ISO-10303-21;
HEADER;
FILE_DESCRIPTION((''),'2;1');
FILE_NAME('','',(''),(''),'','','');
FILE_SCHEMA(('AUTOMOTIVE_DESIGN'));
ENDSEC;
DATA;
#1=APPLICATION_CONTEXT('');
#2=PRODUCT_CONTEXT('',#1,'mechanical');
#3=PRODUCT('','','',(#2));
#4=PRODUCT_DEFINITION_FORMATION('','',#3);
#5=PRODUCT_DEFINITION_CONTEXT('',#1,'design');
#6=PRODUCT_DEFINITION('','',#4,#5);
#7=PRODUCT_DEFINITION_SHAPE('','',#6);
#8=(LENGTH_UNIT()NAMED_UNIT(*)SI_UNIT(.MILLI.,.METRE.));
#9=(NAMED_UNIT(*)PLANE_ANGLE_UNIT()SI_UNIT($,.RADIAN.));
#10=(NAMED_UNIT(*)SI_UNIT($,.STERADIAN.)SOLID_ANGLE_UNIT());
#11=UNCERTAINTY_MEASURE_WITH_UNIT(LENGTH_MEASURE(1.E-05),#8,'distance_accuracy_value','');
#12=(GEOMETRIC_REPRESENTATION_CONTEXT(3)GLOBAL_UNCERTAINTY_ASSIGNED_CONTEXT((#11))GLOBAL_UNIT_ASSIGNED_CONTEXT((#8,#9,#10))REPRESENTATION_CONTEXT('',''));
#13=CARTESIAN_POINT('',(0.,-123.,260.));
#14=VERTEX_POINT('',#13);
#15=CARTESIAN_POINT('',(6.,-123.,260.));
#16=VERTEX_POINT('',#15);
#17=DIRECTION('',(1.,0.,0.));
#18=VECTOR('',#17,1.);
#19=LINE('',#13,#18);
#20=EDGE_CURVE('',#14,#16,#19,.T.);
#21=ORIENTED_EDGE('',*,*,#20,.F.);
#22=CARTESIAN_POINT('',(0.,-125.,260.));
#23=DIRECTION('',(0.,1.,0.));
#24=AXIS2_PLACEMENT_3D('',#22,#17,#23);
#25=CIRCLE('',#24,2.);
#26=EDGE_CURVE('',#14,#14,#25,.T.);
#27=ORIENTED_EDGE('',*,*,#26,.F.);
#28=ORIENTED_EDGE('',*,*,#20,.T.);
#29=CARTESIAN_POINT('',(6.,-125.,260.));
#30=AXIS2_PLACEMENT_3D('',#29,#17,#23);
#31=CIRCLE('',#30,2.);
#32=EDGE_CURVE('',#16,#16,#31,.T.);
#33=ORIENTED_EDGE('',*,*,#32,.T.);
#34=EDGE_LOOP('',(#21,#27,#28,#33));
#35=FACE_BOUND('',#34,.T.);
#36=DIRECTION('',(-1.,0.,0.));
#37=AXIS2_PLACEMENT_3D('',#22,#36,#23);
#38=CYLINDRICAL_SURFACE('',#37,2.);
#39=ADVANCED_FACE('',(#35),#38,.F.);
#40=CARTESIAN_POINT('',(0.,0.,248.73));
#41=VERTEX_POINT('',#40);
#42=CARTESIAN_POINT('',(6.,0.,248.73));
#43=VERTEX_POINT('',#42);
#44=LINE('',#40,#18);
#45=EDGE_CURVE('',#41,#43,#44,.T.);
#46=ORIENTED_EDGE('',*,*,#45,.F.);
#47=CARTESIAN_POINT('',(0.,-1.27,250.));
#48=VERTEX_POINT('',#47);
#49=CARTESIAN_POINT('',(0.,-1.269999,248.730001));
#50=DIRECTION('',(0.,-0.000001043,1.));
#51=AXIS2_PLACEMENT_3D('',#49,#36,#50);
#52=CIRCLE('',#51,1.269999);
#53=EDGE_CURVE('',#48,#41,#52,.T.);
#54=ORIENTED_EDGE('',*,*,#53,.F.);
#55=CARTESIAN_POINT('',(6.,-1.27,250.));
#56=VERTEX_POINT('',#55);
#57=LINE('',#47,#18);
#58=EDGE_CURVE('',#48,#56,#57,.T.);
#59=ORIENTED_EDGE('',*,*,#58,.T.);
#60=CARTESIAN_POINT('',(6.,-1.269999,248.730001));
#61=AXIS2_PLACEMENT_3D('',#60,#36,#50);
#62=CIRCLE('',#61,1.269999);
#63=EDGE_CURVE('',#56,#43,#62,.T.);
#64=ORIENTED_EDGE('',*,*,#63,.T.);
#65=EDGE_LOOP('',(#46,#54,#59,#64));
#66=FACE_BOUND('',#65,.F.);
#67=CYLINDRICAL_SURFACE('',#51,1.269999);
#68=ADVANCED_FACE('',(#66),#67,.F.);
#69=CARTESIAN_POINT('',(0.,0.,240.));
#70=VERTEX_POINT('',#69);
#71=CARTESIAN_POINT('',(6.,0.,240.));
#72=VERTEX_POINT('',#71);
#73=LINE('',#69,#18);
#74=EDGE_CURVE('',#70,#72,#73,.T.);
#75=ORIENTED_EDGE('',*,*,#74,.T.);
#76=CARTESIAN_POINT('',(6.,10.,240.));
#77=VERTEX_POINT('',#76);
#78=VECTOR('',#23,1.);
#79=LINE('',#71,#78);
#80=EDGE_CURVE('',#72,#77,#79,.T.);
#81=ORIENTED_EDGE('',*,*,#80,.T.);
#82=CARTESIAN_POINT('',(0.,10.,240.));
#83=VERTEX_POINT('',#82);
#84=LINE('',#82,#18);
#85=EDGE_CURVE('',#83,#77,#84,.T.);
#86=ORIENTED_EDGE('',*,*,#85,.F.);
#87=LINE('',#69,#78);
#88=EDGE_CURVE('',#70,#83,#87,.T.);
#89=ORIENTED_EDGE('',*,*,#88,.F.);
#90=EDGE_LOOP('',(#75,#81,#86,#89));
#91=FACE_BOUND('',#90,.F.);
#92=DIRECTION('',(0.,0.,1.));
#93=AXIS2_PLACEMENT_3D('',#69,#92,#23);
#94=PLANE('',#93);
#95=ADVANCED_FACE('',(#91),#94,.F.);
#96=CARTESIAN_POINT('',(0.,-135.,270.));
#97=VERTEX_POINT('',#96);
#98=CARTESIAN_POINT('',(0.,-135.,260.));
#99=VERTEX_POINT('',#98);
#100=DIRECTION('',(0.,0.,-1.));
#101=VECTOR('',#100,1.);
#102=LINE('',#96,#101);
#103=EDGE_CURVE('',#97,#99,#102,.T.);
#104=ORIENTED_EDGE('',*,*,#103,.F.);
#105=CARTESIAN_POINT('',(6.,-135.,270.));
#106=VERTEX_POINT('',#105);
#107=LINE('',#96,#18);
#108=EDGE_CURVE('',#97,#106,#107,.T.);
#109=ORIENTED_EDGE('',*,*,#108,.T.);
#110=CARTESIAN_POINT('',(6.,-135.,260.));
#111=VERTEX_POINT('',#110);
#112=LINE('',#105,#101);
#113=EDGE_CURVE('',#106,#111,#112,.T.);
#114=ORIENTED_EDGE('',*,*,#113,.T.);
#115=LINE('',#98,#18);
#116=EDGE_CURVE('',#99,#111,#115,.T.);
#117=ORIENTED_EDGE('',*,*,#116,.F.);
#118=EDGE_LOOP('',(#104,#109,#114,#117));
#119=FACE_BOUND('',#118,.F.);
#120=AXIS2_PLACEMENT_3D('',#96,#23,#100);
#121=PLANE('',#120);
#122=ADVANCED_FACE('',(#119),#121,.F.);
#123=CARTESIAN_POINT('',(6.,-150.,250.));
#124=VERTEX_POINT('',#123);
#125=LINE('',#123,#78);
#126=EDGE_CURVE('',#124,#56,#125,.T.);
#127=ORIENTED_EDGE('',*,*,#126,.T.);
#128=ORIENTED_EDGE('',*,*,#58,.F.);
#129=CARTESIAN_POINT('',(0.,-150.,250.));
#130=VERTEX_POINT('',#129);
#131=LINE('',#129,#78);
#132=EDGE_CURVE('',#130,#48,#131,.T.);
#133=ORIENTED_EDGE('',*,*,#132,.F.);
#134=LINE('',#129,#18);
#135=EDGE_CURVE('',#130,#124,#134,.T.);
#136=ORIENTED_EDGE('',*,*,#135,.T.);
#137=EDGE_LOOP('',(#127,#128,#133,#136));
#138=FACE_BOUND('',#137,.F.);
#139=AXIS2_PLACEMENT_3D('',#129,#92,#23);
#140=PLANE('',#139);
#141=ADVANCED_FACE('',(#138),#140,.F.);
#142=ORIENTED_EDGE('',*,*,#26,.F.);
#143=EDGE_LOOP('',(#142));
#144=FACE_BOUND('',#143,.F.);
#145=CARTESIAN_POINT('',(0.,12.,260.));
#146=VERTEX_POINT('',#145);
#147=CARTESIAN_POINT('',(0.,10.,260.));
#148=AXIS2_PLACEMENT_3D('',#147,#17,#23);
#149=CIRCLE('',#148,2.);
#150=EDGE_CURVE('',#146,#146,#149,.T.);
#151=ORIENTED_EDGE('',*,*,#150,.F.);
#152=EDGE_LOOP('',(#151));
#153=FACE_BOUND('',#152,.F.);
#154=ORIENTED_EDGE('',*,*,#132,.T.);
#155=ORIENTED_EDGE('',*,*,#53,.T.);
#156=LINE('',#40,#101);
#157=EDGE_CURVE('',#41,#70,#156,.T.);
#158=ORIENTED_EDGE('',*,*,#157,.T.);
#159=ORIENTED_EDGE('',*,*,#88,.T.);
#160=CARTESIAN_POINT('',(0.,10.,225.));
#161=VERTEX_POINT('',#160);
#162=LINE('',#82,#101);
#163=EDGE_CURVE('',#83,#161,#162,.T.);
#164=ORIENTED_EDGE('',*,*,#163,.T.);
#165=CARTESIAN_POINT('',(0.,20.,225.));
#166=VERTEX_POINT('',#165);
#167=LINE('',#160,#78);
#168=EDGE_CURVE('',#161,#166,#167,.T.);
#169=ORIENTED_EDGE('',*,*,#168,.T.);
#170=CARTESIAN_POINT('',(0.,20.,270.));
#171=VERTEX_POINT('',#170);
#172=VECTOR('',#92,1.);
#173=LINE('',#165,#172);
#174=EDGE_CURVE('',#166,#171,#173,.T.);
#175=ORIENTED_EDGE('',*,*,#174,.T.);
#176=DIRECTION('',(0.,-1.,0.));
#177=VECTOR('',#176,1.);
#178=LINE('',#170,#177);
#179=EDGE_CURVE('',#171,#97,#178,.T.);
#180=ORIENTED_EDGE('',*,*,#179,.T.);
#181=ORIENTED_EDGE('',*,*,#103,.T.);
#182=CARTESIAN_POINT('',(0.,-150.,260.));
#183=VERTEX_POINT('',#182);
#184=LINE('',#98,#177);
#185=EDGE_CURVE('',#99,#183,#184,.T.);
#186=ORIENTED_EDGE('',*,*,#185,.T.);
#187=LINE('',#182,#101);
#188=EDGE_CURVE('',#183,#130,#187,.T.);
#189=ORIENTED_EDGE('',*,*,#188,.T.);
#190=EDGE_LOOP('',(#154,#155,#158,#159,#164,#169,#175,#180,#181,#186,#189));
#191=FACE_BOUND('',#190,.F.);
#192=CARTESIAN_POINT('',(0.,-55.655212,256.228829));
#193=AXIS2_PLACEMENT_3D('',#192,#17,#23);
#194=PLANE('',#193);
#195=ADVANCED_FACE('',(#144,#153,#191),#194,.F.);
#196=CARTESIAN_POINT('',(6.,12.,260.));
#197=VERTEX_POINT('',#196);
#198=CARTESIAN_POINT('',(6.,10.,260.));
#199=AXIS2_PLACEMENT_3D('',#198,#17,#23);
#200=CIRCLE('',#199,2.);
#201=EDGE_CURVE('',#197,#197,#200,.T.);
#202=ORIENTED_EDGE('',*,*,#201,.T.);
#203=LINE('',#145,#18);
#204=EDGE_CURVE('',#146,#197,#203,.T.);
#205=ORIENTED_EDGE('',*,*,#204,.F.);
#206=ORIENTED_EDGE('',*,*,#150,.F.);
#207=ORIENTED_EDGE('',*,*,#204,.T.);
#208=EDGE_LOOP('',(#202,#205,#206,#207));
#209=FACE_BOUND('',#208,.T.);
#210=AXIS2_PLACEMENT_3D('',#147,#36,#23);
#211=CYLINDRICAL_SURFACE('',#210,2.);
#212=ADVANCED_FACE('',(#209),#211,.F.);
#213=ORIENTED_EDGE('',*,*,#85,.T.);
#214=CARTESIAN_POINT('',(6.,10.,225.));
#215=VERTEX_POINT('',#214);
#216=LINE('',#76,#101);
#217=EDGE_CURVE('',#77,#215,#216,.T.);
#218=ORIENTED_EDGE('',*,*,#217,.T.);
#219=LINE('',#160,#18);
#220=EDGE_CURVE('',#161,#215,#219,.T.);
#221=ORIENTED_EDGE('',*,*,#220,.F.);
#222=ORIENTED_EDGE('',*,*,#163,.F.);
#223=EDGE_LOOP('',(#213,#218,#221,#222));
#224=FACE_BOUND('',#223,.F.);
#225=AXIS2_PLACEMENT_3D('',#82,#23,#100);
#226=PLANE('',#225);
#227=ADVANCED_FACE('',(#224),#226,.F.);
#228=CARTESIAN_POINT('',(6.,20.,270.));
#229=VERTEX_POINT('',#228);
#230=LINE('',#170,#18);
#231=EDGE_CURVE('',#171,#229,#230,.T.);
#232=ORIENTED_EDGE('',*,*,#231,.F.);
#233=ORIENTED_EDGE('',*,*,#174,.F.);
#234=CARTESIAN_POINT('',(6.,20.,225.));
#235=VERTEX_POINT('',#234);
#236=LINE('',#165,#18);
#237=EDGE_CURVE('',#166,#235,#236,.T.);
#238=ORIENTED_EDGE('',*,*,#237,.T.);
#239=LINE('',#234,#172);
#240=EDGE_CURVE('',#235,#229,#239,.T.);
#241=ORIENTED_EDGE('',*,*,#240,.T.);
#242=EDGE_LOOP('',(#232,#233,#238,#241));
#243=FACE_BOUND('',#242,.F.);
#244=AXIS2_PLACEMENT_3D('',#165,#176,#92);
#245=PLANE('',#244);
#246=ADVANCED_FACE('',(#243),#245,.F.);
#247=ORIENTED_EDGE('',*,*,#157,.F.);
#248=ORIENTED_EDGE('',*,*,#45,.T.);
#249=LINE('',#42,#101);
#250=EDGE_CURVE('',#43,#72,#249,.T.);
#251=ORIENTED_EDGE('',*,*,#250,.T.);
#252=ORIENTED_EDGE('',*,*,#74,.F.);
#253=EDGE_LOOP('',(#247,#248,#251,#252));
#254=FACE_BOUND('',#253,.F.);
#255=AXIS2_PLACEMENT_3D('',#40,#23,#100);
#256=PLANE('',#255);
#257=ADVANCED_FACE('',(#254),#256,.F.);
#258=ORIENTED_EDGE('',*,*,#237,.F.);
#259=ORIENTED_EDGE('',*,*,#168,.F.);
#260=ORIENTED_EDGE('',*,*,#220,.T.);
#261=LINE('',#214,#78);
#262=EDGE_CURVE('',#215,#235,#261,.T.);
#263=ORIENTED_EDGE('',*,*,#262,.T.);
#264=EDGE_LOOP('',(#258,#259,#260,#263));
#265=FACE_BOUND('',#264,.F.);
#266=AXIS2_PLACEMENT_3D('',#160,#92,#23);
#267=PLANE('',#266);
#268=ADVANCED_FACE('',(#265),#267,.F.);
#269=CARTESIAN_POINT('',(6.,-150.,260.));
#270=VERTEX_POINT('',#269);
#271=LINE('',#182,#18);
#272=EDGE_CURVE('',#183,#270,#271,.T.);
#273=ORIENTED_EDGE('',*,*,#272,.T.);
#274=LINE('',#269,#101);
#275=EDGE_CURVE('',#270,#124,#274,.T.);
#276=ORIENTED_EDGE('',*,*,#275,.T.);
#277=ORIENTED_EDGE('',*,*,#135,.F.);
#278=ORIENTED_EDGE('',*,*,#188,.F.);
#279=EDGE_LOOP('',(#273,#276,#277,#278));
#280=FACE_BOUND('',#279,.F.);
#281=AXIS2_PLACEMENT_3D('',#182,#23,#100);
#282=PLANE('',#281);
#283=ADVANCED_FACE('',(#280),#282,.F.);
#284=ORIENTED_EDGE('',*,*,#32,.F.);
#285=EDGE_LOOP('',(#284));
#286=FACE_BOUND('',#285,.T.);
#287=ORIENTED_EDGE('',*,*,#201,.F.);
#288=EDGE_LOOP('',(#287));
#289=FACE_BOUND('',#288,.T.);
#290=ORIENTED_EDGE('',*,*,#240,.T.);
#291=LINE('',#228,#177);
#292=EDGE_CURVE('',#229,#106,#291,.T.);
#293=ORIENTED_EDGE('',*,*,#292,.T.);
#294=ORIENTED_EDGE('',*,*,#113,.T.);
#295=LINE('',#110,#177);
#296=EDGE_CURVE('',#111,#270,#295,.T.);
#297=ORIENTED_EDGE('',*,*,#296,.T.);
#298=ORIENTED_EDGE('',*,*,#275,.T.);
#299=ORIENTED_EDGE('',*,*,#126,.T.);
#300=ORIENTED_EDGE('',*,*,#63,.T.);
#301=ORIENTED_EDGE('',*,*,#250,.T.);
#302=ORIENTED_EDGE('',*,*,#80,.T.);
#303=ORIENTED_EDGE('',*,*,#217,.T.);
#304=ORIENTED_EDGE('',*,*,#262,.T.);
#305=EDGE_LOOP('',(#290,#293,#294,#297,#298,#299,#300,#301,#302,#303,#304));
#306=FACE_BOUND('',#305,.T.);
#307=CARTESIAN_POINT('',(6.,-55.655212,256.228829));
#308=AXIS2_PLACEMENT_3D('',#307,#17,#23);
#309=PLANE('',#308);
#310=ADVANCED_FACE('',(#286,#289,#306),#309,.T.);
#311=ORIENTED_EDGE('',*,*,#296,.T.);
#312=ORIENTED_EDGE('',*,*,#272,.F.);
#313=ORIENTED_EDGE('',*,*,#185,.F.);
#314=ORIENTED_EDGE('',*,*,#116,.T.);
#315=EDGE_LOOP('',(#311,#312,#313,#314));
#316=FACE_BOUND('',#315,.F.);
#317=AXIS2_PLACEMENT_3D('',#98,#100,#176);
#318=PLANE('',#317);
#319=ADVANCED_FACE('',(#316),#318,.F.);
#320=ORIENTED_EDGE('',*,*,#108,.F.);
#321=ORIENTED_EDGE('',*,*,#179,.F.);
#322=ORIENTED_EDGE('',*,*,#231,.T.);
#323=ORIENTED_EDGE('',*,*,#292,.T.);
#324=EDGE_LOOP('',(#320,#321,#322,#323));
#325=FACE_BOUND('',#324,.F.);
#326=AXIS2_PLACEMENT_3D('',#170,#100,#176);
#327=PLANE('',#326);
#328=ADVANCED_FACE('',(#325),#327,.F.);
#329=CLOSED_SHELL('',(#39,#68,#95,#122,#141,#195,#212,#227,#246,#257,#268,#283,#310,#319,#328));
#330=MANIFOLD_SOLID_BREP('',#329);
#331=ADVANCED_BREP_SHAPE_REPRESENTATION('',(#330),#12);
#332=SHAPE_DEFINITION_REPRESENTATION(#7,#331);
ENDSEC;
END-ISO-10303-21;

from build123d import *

# Parameters (mm, degrees)
F0_R     = 2
F1_DEPTH = 6


with BuildPart() as f1:
    # F0 (on Right) → F1 (new body)
    with BuildSketch(Plane.YZ):
        with BuildLine():
            Line((-150, 250), (-1.27, 250))
            ThreePointArc((-1.27, 250), (-0.371974, 249.628026), (0, 248.73))
            Line((0, 248.73), (0, 240))
            Line((0, 240), (10, 240))
            Line((10, 240), (10, 225))
            Line((10, 225), (20, 225))
            Line((20, 225), (20, 270))
            Line((20, 270), (-135, 270))
            Line((-135, 270), (-135, 260))
            Line((-135, 260), (-150, 260))
            Line((-150, 260), (-150, 250))
        make_face()
        with Locations((-125, 260)):
            Circle(F0_R, mode=Mode.SUBTRACT)
        with Locations((10, 260)):
            Circle(F0_R, mode=Mode.SUBTRACT)
    extrude(amount=F1_DEPTH)


solid = f1.part
